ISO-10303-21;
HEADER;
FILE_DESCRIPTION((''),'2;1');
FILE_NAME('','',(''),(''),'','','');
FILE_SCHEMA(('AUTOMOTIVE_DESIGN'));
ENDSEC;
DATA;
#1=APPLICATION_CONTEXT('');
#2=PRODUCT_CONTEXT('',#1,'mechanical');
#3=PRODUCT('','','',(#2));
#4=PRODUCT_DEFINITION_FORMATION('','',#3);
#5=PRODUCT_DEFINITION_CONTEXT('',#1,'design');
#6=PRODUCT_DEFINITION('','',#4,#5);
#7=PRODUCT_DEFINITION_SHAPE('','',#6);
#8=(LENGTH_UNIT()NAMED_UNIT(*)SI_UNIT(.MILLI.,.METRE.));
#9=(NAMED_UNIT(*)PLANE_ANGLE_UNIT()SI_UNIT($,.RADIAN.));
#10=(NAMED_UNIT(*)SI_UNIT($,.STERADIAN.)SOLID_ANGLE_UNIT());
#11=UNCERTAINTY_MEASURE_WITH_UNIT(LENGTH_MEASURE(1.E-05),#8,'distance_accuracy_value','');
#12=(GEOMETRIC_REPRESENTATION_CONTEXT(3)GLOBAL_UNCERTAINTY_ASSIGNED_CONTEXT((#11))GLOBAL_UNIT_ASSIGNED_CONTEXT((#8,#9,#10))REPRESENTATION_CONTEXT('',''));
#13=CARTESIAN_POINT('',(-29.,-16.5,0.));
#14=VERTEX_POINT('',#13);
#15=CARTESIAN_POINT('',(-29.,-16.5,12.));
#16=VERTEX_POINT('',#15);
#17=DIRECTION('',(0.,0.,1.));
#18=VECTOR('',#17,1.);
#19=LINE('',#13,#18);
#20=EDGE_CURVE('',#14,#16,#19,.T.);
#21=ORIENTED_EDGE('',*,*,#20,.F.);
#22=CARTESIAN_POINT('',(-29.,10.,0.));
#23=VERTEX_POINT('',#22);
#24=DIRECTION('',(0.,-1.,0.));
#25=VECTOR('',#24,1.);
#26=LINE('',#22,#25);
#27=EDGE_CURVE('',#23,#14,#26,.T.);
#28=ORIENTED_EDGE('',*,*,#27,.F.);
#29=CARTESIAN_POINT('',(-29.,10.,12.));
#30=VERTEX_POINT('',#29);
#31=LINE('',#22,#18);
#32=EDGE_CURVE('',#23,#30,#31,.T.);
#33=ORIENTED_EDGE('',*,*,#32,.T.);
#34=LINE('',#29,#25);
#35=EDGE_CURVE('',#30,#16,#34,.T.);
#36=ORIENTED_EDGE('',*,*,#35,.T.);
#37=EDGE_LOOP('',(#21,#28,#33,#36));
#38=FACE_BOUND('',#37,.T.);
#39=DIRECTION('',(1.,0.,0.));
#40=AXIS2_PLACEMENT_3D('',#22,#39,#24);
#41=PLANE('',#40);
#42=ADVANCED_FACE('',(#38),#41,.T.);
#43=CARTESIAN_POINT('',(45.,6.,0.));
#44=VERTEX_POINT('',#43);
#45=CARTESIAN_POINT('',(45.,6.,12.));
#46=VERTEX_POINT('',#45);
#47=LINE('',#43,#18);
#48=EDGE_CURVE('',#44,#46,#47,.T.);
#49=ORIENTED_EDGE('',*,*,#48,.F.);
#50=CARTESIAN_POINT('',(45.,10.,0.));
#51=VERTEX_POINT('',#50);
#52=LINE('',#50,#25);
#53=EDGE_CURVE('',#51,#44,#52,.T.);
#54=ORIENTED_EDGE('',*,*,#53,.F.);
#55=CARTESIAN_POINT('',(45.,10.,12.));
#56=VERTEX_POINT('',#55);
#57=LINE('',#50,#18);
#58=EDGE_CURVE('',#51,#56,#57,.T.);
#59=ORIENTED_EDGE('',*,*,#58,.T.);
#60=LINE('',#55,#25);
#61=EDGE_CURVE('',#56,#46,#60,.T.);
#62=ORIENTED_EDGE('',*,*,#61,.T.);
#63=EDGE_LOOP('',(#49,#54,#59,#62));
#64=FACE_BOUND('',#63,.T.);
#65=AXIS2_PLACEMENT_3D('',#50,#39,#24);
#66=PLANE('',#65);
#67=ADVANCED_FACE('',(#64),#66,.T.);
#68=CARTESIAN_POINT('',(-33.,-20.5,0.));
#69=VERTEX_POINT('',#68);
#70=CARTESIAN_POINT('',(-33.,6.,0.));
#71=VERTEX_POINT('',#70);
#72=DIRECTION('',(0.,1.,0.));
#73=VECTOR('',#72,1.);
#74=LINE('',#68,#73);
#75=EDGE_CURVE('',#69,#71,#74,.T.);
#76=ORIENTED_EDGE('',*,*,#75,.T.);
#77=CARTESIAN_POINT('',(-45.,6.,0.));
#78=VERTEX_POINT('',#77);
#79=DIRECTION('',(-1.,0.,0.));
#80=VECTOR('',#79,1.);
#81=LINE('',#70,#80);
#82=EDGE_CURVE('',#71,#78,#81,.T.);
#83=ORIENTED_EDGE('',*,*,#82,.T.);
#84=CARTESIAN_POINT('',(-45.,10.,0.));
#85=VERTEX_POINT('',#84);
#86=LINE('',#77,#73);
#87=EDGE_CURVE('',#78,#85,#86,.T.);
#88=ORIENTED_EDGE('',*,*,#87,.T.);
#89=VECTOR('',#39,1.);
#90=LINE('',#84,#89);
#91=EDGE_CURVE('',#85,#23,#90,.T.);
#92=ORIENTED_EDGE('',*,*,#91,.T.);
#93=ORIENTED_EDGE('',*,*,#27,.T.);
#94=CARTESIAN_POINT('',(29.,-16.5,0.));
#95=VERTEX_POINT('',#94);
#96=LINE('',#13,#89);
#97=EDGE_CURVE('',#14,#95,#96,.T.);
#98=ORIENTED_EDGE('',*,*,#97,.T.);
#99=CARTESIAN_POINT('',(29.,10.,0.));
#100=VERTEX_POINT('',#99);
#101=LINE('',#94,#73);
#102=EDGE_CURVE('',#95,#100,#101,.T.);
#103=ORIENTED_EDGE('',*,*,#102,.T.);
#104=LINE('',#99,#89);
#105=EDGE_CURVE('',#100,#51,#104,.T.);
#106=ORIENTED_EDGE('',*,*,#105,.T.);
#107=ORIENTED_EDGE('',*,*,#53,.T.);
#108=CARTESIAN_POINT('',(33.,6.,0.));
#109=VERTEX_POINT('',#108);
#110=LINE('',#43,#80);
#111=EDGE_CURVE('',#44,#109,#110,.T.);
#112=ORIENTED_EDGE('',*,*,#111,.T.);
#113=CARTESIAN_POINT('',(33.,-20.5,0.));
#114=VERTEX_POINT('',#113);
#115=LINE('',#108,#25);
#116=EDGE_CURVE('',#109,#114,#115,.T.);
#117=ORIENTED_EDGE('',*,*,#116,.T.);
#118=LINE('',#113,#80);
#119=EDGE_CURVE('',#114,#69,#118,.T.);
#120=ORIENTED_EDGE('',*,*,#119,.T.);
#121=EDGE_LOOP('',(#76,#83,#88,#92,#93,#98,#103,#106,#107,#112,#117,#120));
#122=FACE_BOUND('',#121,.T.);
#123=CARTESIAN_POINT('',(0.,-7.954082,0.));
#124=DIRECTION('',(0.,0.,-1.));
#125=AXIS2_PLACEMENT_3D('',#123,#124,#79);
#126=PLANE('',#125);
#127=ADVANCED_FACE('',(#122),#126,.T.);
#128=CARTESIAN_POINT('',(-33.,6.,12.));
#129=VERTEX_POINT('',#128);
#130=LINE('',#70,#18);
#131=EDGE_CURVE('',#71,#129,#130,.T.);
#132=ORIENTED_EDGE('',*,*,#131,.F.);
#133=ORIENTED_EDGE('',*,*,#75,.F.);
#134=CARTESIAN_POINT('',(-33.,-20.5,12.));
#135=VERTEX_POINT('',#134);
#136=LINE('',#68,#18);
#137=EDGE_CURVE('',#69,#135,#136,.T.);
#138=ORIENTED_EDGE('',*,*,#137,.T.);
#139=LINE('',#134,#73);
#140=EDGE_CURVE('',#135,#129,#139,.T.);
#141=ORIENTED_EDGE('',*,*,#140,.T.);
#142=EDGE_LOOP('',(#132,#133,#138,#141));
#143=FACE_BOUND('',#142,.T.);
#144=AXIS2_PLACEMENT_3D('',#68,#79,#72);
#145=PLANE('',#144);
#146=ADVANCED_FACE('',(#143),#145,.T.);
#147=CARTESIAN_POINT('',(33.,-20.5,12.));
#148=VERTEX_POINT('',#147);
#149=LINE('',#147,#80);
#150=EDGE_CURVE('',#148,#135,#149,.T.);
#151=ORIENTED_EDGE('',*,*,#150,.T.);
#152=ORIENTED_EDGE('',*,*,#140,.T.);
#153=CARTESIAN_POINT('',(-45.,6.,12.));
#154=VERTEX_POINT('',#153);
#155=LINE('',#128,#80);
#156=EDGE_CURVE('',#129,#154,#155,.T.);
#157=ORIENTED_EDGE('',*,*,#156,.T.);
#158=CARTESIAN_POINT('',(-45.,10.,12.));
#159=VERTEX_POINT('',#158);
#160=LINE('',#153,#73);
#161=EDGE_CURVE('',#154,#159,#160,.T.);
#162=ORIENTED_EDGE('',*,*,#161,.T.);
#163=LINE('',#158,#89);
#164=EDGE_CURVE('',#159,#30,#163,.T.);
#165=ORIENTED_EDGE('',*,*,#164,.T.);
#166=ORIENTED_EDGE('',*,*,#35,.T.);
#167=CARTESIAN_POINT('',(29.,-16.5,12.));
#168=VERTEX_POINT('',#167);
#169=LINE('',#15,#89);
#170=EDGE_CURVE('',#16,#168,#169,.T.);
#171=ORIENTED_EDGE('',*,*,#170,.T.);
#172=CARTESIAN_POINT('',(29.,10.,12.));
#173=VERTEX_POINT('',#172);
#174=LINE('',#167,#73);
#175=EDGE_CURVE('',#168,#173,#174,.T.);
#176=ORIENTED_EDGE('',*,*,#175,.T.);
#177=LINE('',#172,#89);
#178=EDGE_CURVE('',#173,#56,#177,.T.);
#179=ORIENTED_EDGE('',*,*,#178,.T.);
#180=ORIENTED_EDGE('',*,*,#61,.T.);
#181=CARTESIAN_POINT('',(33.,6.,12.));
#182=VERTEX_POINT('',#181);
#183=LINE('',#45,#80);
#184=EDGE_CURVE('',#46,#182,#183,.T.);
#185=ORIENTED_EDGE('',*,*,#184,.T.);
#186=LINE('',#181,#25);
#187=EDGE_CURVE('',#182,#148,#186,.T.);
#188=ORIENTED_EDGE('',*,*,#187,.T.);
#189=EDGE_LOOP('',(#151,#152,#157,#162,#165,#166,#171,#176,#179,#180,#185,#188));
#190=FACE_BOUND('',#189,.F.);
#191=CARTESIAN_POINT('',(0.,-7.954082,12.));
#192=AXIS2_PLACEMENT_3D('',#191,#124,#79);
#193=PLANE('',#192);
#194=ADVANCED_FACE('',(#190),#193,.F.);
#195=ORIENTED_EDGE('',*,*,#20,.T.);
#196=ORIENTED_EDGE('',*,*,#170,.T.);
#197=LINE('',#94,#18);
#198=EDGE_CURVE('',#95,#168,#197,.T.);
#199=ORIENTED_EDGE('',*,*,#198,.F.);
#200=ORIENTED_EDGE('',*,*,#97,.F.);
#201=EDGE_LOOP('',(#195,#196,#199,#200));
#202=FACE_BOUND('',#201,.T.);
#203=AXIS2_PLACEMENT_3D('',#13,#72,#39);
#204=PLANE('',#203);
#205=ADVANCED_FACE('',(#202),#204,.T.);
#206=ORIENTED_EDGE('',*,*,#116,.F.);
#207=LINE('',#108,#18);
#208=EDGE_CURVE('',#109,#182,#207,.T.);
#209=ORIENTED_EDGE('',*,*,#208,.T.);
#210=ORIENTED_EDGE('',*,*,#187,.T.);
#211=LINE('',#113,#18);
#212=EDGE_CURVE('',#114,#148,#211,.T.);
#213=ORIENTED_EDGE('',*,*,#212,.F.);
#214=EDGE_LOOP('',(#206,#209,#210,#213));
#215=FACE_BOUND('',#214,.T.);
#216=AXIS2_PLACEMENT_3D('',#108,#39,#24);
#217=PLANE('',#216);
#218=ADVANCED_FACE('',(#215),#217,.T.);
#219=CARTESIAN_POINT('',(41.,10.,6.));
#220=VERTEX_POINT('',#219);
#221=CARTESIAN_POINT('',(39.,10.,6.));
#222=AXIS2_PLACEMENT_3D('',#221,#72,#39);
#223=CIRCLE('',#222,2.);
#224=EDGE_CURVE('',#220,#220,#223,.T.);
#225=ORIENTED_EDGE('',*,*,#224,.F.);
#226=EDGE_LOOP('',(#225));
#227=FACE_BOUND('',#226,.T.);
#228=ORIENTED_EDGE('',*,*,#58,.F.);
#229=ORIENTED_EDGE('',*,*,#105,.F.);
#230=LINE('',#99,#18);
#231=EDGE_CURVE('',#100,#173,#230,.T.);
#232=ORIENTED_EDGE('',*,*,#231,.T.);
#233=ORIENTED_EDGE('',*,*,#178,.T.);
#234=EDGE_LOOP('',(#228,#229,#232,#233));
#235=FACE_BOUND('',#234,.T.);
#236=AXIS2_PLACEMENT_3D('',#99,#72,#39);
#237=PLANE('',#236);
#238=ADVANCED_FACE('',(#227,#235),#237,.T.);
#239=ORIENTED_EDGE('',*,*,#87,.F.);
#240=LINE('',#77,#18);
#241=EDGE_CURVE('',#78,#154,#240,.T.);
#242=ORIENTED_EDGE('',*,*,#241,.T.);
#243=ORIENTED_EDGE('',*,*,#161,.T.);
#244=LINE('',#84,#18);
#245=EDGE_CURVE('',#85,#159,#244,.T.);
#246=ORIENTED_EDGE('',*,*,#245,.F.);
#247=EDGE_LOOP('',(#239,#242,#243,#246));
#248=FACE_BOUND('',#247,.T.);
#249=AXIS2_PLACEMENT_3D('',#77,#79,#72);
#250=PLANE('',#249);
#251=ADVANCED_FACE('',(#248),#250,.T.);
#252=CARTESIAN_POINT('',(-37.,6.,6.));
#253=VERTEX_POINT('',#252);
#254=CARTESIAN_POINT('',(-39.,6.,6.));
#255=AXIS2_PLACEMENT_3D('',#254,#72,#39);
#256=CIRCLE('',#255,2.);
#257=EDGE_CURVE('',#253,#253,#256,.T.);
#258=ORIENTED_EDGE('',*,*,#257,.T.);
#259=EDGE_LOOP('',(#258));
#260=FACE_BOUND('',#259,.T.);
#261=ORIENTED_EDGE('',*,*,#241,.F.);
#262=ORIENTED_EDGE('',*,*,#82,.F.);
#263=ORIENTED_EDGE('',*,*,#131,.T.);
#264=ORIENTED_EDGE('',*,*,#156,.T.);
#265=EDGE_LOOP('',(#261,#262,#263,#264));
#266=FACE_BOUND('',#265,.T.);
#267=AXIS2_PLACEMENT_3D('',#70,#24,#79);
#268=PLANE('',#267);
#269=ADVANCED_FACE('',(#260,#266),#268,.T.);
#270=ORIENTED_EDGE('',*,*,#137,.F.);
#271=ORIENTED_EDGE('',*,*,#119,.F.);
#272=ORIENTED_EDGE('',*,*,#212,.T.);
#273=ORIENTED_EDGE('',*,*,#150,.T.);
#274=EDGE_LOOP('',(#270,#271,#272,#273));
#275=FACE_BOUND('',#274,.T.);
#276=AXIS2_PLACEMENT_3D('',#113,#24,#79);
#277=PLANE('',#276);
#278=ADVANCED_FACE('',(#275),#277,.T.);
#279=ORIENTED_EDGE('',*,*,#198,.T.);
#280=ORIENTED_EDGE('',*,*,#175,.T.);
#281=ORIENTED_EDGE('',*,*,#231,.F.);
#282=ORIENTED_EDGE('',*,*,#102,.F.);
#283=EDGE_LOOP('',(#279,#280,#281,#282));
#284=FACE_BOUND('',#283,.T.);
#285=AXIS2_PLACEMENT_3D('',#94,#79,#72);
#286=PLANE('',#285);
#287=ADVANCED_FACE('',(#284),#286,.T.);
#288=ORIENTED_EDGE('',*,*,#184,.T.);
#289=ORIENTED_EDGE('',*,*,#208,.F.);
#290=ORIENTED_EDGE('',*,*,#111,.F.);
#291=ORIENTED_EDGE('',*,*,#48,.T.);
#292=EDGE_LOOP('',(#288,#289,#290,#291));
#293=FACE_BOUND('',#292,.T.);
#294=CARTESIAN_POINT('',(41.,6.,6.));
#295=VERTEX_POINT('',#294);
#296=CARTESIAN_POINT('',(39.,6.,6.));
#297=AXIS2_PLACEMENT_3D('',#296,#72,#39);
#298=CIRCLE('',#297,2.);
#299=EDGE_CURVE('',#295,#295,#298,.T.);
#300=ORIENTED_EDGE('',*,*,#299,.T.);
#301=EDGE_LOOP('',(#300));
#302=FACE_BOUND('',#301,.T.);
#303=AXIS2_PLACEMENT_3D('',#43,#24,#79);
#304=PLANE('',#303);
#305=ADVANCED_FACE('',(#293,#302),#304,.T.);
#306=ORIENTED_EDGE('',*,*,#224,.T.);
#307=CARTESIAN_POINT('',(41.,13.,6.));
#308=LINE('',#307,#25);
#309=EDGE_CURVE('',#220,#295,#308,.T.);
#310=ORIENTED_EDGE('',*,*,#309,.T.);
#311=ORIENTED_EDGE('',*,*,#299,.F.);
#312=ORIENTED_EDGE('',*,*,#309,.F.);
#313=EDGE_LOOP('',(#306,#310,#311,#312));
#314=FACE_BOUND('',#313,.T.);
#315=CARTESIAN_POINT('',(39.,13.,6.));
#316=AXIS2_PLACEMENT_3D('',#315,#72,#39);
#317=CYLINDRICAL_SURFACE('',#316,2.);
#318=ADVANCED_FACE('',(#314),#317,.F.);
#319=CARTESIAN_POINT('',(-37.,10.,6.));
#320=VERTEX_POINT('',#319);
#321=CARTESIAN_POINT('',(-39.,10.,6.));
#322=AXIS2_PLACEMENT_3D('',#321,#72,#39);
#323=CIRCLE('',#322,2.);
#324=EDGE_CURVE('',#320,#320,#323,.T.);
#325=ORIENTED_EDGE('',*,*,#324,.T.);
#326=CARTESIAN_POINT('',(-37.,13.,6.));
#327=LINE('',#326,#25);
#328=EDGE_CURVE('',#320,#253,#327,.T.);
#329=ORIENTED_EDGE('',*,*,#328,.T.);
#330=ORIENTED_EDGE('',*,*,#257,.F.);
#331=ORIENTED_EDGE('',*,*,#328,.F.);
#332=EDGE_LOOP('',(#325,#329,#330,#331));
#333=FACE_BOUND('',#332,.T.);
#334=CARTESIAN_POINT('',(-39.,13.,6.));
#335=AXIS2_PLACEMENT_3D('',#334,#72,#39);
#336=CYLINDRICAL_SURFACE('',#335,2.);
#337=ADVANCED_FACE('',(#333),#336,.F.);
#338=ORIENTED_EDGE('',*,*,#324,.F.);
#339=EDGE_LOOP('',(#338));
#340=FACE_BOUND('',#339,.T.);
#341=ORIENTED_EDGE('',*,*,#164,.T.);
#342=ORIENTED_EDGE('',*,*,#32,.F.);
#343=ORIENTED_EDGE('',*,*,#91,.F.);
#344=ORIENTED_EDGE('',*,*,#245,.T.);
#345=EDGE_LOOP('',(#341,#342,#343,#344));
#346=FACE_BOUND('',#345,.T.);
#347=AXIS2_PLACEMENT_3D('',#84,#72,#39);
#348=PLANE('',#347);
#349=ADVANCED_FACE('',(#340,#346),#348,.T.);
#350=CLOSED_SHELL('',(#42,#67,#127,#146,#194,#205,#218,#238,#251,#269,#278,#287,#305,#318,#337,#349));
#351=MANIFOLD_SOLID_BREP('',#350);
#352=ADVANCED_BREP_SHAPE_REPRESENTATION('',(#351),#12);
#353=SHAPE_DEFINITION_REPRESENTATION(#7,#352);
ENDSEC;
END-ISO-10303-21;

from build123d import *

# Parameters (mm, degrees)
CYLINDER001_R     = 2
CYLINDER001_DEPTH = 10
CYLINDER_R        = 2
CYLINDER_DEPTH    = 10
EXTRUDE_DEPTH     = 12


with BuildPart() as cylinder001:
    # Cylinder001 → Cylinder001 (new body)
    with BuildSketch(Plane(origin=(39, 13, 6), x_dir=(1, 0, 0), z_dir=(0, -1, 0))):
        Circle(CYLINDER001_R)
    extrude(amount=CYLINDER001_DEPTH)


with BuildPart() as cylinder:
    # Cylinder → Cylinder (new body)
    with BuildSketch(Plane(origin=(-39, 13, 6), x_dir=(1, 0, 0), z_dir=(0, -1, 0))):
        Circle(CYLINDER_R)
    extrude(amount=CYLINDER_DEPTH)


with BuildPart() as cut001:
    # Sketch → Extrude (new body)
    with BuildSketch(Plane.XY):
        Polygon((-29, -16.5), (29, -16.5), (29, 10), (45, 10), (45, 6), (33, 6), (33, -20.5), (-33, -20.5), (-33, 6), (-45, 6), (-45, 10), (-29, 10), align=None)
    extrude(amount=EXTRUDE_DEPTH)

    # Cut: cut Cylinder
    add(cylinder.part, mode=Mode.SUBTRACT)

    # Cut001: cut Cylinder001
    add(cylinder001.part, mode=Mode.SUBTRACT)


solid = cut001.part
